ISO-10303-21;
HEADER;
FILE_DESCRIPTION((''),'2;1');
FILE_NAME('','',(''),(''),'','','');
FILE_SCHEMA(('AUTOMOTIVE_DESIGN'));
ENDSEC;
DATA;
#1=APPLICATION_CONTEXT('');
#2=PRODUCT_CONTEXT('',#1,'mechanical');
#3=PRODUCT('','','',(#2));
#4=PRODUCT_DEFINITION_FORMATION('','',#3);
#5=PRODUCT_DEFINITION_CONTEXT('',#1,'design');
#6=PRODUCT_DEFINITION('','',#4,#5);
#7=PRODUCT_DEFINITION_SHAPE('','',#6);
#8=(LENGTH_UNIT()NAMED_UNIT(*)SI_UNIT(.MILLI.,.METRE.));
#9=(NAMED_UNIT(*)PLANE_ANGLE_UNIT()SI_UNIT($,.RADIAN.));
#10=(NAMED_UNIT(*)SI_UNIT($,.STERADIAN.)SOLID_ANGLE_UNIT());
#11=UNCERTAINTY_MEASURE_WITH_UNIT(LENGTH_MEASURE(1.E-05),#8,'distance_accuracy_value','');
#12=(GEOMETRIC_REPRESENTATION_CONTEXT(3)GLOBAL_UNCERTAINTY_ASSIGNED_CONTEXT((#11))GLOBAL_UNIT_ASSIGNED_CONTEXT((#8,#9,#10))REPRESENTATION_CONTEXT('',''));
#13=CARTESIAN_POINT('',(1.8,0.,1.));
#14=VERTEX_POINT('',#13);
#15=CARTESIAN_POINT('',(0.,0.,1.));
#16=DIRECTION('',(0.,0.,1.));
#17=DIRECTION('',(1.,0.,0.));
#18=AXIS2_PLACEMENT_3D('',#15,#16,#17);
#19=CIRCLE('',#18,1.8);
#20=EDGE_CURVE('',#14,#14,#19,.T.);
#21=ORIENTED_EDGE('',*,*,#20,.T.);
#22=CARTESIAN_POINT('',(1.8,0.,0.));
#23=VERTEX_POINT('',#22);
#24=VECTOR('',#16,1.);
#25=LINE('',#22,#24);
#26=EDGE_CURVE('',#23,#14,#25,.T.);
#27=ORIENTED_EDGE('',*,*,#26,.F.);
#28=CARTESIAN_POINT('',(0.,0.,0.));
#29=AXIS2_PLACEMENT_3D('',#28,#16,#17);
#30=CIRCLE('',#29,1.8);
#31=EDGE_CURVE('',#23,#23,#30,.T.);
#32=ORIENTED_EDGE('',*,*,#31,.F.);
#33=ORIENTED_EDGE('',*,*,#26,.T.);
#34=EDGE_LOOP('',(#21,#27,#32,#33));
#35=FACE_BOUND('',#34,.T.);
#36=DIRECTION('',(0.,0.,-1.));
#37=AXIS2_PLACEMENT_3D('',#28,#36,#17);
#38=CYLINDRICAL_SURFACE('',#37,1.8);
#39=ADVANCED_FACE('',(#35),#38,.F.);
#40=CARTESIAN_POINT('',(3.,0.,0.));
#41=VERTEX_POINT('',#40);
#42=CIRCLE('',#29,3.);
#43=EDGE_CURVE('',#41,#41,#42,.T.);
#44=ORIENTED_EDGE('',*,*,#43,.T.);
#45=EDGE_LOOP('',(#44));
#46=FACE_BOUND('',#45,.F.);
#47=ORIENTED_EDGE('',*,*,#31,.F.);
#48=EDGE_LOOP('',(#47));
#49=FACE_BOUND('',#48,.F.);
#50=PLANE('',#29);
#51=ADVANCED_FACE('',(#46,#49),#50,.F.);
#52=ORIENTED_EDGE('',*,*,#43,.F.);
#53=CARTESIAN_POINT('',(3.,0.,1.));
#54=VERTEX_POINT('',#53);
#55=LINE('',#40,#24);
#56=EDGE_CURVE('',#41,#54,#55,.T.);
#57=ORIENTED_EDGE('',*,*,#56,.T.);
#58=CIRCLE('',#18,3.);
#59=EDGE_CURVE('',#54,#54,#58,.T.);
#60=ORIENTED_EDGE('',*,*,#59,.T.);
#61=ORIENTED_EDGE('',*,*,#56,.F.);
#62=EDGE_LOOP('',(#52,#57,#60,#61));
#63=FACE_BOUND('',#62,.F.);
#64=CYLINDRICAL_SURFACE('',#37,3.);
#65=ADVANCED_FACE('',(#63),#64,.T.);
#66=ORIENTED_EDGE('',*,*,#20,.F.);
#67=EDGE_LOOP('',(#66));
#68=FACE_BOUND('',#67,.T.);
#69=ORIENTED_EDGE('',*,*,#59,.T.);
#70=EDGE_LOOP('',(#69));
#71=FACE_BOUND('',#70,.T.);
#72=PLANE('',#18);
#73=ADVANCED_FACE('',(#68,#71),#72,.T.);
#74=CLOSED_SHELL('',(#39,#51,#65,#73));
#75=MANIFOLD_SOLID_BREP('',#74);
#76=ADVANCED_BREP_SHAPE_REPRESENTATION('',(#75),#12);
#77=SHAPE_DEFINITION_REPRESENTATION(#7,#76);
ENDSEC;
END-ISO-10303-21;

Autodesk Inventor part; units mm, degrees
ref_plane "YZ Plane" through (0, 0, 0) normal (1, 0, 0) x (0, 1, 0)
ref_plane "XZ Plane" through (0, 0, 0) normal (0, 1, 0) x (-1, 0, 0)
ref_plane "XY Plane" through (0, 0, 0) normal (0, 0, 1) x (1, 0, 0)
sketch "Эскиз1" plane through (0, 0, 0) normal (0, 0, 1) x (1, 0, 0)
  circle A0 centre (0, 0) radius 1.8
  circle A1 centre (0, 0) radius 3
  dimension "d0" = 3.6
  dimension "d1" = 6
extrude "Выдавливание1" add sketch "Эскиз1" along normal blind 1
properties part number "Шайба датчика"
